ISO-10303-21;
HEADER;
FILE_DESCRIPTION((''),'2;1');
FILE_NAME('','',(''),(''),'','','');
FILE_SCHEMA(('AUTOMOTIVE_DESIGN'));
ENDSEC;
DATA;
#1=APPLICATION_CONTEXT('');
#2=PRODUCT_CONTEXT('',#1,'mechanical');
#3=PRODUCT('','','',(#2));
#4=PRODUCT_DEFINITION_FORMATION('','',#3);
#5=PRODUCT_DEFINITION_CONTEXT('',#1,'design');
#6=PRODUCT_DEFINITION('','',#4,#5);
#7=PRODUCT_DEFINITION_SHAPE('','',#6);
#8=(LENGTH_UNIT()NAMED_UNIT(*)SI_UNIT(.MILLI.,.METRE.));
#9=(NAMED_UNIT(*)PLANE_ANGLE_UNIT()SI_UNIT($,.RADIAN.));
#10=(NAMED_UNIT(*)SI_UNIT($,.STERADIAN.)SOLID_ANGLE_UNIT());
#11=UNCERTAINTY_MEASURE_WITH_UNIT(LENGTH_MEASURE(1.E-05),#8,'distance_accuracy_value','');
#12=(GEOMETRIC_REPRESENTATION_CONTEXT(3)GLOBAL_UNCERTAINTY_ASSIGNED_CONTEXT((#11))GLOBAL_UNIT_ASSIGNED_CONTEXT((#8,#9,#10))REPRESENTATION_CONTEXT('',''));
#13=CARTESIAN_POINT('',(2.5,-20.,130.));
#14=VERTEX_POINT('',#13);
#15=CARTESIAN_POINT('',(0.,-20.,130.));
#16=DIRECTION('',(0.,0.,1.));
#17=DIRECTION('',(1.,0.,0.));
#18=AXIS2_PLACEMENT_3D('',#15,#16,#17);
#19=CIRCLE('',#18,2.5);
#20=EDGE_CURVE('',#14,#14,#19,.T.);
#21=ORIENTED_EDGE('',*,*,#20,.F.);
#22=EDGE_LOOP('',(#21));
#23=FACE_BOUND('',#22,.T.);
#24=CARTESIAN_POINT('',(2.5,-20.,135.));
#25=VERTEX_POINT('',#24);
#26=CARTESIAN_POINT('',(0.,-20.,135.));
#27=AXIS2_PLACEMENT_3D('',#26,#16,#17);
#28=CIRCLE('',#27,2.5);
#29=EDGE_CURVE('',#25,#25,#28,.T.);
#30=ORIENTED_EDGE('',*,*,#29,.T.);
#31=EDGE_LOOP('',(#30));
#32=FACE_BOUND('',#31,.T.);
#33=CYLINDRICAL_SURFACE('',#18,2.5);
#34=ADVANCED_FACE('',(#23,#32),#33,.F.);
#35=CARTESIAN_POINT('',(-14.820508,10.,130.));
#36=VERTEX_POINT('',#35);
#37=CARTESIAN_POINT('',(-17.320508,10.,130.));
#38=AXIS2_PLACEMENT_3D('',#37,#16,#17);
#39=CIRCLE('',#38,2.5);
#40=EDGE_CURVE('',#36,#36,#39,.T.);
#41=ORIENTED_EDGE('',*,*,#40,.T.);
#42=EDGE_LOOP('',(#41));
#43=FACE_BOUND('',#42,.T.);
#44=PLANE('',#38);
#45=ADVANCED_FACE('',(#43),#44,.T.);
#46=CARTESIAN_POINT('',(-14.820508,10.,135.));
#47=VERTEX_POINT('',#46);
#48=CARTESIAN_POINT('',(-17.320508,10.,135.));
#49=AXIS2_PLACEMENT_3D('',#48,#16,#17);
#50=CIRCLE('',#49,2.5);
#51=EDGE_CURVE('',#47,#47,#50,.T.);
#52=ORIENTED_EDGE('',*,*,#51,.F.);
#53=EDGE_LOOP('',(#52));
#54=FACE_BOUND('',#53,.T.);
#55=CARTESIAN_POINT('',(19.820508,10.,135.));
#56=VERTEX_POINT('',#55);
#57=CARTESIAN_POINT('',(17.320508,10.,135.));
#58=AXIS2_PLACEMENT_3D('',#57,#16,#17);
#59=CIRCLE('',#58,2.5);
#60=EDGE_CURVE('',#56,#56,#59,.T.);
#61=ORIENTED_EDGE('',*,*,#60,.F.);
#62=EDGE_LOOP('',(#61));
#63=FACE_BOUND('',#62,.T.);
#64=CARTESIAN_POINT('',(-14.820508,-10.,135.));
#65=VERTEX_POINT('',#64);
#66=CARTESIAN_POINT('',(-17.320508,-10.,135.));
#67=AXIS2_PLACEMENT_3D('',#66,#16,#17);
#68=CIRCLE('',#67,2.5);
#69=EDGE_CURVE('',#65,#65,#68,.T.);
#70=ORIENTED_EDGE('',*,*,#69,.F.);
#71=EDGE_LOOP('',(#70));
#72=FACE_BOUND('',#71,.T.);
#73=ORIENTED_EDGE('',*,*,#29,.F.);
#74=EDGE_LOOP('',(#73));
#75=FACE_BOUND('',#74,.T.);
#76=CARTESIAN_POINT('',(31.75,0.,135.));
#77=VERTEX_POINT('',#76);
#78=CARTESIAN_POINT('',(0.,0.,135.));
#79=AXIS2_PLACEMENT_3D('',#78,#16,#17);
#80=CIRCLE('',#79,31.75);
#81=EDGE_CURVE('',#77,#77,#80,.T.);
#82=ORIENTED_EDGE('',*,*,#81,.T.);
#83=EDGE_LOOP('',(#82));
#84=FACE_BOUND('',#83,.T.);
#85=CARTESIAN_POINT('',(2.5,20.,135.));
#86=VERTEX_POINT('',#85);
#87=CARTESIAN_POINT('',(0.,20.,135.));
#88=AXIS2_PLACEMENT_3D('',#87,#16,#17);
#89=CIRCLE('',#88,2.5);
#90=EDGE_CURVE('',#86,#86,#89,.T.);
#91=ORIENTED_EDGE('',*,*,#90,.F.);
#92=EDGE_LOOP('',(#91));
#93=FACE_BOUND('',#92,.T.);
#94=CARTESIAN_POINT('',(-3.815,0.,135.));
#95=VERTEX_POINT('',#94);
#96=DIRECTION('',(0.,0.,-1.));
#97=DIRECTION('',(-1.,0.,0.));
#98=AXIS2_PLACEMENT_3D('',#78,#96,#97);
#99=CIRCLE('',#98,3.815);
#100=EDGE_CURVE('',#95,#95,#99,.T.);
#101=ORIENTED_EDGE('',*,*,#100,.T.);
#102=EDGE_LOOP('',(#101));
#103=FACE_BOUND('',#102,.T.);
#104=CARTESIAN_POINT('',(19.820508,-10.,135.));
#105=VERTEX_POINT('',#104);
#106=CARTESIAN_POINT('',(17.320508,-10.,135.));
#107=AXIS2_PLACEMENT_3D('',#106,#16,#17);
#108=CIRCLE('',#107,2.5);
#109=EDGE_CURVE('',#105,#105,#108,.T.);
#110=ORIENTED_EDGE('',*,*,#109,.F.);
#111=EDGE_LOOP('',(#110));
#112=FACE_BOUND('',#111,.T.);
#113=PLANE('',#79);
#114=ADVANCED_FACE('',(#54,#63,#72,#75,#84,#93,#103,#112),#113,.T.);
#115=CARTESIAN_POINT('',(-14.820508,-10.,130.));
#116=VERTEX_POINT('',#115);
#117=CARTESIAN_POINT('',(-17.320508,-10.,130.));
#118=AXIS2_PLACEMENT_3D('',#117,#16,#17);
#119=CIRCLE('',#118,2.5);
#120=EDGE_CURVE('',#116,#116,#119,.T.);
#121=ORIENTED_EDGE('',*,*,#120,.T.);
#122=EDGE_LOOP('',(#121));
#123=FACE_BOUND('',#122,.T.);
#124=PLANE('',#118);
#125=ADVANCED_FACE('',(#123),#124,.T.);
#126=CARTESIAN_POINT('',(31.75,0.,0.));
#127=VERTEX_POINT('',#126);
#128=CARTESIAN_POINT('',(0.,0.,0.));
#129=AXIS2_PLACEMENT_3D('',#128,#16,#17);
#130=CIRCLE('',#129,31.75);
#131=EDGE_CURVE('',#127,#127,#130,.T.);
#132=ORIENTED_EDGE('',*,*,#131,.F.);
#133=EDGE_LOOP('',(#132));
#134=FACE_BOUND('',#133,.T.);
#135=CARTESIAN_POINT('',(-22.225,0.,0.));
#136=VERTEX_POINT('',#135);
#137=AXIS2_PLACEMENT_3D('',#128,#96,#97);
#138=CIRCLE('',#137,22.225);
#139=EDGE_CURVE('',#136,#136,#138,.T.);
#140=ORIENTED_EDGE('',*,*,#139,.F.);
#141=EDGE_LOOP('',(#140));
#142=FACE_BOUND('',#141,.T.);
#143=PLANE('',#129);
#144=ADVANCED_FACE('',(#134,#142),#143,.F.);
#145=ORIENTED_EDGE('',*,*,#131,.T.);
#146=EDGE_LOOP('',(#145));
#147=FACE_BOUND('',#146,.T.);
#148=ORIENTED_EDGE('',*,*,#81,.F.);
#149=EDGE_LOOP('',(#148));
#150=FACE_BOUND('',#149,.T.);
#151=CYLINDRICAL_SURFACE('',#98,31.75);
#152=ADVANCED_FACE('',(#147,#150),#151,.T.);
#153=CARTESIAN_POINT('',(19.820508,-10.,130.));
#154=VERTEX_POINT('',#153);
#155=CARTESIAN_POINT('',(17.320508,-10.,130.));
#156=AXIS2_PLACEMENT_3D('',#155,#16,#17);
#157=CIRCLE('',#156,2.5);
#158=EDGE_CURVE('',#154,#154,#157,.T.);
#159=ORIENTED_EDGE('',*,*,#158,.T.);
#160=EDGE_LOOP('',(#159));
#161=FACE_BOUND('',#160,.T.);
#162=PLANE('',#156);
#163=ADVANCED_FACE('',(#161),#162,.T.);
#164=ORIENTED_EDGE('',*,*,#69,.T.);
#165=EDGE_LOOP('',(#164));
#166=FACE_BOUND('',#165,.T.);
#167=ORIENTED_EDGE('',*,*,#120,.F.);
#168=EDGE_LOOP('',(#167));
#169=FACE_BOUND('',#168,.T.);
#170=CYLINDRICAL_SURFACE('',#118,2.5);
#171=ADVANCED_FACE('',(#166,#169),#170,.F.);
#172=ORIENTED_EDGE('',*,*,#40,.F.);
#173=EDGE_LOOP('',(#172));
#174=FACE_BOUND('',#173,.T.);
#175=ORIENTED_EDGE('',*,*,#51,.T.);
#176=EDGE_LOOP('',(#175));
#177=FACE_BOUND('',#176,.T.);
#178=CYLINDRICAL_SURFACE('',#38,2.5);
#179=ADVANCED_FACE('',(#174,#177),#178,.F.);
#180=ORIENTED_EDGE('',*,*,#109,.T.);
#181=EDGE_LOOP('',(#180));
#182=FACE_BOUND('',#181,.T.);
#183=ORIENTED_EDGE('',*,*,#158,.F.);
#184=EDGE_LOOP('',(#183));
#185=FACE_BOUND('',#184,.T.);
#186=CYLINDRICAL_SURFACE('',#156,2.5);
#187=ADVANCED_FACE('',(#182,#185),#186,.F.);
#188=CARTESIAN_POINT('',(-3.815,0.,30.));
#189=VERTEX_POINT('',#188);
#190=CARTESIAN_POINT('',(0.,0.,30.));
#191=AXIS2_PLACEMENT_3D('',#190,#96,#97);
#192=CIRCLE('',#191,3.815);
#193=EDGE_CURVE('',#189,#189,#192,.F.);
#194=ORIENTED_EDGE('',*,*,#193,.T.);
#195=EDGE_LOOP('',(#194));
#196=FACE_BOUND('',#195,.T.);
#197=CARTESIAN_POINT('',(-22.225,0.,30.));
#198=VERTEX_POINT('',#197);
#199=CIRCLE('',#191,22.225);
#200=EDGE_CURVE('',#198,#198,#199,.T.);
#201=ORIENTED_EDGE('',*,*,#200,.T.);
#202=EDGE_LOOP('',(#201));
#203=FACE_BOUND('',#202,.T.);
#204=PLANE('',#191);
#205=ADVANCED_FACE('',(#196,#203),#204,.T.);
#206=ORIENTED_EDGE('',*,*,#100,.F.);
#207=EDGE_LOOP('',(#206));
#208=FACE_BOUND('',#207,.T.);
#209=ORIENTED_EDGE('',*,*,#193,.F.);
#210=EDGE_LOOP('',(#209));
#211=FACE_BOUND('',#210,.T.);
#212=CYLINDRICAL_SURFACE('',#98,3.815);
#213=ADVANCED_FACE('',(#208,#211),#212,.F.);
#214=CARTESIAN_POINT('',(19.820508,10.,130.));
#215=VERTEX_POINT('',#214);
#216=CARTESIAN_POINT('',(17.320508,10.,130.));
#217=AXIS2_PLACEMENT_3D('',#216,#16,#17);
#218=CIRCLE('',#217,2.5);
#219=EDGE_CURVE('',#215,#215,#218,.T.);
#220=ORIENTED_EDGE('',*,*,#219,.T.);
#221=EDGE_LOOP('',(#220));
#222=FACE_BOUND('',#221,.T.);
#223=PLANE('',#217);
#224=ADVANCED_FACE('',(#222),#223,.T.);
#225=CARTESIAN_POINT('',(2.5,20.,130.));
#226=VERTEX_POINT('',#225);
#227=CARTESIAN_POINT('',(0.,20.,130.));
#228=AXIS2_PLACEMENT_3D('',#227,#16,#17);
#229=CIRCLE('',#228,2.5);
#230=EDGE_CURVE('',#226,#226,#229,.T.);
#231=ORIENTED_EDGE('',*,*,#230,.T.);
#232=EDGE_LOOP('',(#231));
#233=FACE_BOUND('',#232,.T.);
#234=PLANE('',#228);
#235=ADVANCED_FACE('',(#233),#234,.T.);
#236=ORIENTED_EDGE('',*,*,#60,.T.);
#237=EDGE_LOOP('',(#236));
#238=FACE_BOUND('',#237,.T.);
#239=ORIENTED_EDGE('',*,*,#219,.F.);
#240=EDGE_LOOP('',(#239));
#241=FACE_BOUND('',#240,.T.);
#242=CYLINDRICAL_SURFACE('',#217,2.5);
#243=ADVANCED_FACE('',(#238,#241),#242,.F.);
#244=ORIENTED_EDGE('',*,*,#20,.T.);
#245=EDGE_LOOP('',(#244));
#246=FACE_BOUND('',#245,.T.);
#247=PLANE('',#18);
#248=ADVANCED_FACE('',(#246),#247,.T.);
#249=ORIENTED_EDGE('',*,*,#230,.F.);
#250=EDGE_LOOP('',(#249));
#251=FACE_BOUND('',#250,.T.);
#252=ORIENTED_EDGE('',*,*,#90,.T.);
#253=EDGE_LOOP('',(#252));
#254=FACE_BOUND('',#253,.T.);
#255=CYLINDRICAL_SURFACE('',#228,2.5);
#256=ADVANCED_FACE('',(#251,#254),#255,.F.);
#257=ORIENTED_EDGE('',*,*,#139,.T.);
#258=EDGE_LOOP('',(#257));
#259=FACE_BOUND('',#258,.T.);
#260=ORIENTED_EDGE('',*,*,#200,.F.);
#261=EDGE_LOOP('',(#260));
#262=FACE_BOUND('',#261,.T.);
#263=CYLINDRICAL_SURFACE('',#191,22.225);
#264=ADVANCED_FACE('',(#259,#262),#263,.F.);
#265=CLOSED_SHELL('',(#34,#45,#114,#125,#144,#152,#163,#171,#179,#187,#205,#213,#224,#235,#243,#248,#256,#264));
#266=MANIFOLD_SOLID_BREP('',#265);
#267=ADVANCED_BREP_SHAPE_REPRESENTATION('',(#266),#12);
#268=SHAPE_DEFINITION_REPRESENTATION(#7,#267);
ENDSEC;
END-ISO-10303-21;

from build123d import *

# Parameters (mm, degrees)
SKETCH2_R           = 31.75
BOSS_EXTRUDE1_DEPTH = 135
SKETCH3_R           = 3.815
CUT_EXTRUDE1_DEPTH  = 135
SKETCH5_R           = 22.225
CUT_EXTRUDE2_DEPTH  = 30
SKETCH6_R           = 2.5
CUT_EXTRUDE3_DEPTH  = 5
SKETCH6_3_R         = 2.5
CUT_EXTRUDE4_DEPTH  = 5


with BuildPart() as part:
    # Sketch2 → Boss-Extrude1 (new body)
    with BuildSketch(Plane.XY):
        Circle(SKETCH2_R)
    extrude(amount=BOSS_EXTRUDE1_DEPTH)

    # Sketch3 → Cut-Extrude1 (cut)
    with BuildSketch(Plane(origin=(0, 0, 0), x_dir=(-1, 0, 0), z_dir=(0, 0, -1))):
        Circle(SKETCH3_R)
    extrude(amount=-CUT_EXTRUDE1_DEPTH, mode=Mode.SUBTRACT)

    # Sketch5 → Cut-Extrude2 (cut)
    with BuildSketch(Plane(origin=(0, 0, 0), x_dir=(-1, 0, 0), z_dir=(0, 0, -1))):
        Circle(SKETCH5_R)
    extrude(amount=-CUT_EXTRUDE2_DEPTH, mode=Mode.SUBTRACT)

    # Sketch6 → Cut-Extrude3 (cut)
    with BuildSketch(Plane.XY.offset(135)):
        with Locations((0, 20)):
            Circle(SKETCH6_R)
    extrude(amount=-CUT_EXTRUDE3_DEPTH, mode=Mode.SUBTRACT)

    # Sketch6<3> → Cut-Extrude4 (cut)
    with BuildSketch(Plane.XY.offset(135)):
        with Locations((0, 20)):
            Circle(SKETCH6_3_R)
        with Locations((17.320508076, 10)):
            Circle(SKETCH6_3_R)
        with Locations((17.320508076, -10)):
            Circle(SKETCH6_3_R)
        with Locations((0, -20)):
            Circle(SKETCH6_3_R)
        with Locations((-17.320508076, -10)):
            Circle(SKETCH6_3_R)
        with Locations((-17.320508076, 10)):
            Circle(SKETCH6_3_R)
    extrude(amount=-CUT_EXTRUDE4_DEPTH, mode=Mode.SUBTRACT)


solid = part.part
